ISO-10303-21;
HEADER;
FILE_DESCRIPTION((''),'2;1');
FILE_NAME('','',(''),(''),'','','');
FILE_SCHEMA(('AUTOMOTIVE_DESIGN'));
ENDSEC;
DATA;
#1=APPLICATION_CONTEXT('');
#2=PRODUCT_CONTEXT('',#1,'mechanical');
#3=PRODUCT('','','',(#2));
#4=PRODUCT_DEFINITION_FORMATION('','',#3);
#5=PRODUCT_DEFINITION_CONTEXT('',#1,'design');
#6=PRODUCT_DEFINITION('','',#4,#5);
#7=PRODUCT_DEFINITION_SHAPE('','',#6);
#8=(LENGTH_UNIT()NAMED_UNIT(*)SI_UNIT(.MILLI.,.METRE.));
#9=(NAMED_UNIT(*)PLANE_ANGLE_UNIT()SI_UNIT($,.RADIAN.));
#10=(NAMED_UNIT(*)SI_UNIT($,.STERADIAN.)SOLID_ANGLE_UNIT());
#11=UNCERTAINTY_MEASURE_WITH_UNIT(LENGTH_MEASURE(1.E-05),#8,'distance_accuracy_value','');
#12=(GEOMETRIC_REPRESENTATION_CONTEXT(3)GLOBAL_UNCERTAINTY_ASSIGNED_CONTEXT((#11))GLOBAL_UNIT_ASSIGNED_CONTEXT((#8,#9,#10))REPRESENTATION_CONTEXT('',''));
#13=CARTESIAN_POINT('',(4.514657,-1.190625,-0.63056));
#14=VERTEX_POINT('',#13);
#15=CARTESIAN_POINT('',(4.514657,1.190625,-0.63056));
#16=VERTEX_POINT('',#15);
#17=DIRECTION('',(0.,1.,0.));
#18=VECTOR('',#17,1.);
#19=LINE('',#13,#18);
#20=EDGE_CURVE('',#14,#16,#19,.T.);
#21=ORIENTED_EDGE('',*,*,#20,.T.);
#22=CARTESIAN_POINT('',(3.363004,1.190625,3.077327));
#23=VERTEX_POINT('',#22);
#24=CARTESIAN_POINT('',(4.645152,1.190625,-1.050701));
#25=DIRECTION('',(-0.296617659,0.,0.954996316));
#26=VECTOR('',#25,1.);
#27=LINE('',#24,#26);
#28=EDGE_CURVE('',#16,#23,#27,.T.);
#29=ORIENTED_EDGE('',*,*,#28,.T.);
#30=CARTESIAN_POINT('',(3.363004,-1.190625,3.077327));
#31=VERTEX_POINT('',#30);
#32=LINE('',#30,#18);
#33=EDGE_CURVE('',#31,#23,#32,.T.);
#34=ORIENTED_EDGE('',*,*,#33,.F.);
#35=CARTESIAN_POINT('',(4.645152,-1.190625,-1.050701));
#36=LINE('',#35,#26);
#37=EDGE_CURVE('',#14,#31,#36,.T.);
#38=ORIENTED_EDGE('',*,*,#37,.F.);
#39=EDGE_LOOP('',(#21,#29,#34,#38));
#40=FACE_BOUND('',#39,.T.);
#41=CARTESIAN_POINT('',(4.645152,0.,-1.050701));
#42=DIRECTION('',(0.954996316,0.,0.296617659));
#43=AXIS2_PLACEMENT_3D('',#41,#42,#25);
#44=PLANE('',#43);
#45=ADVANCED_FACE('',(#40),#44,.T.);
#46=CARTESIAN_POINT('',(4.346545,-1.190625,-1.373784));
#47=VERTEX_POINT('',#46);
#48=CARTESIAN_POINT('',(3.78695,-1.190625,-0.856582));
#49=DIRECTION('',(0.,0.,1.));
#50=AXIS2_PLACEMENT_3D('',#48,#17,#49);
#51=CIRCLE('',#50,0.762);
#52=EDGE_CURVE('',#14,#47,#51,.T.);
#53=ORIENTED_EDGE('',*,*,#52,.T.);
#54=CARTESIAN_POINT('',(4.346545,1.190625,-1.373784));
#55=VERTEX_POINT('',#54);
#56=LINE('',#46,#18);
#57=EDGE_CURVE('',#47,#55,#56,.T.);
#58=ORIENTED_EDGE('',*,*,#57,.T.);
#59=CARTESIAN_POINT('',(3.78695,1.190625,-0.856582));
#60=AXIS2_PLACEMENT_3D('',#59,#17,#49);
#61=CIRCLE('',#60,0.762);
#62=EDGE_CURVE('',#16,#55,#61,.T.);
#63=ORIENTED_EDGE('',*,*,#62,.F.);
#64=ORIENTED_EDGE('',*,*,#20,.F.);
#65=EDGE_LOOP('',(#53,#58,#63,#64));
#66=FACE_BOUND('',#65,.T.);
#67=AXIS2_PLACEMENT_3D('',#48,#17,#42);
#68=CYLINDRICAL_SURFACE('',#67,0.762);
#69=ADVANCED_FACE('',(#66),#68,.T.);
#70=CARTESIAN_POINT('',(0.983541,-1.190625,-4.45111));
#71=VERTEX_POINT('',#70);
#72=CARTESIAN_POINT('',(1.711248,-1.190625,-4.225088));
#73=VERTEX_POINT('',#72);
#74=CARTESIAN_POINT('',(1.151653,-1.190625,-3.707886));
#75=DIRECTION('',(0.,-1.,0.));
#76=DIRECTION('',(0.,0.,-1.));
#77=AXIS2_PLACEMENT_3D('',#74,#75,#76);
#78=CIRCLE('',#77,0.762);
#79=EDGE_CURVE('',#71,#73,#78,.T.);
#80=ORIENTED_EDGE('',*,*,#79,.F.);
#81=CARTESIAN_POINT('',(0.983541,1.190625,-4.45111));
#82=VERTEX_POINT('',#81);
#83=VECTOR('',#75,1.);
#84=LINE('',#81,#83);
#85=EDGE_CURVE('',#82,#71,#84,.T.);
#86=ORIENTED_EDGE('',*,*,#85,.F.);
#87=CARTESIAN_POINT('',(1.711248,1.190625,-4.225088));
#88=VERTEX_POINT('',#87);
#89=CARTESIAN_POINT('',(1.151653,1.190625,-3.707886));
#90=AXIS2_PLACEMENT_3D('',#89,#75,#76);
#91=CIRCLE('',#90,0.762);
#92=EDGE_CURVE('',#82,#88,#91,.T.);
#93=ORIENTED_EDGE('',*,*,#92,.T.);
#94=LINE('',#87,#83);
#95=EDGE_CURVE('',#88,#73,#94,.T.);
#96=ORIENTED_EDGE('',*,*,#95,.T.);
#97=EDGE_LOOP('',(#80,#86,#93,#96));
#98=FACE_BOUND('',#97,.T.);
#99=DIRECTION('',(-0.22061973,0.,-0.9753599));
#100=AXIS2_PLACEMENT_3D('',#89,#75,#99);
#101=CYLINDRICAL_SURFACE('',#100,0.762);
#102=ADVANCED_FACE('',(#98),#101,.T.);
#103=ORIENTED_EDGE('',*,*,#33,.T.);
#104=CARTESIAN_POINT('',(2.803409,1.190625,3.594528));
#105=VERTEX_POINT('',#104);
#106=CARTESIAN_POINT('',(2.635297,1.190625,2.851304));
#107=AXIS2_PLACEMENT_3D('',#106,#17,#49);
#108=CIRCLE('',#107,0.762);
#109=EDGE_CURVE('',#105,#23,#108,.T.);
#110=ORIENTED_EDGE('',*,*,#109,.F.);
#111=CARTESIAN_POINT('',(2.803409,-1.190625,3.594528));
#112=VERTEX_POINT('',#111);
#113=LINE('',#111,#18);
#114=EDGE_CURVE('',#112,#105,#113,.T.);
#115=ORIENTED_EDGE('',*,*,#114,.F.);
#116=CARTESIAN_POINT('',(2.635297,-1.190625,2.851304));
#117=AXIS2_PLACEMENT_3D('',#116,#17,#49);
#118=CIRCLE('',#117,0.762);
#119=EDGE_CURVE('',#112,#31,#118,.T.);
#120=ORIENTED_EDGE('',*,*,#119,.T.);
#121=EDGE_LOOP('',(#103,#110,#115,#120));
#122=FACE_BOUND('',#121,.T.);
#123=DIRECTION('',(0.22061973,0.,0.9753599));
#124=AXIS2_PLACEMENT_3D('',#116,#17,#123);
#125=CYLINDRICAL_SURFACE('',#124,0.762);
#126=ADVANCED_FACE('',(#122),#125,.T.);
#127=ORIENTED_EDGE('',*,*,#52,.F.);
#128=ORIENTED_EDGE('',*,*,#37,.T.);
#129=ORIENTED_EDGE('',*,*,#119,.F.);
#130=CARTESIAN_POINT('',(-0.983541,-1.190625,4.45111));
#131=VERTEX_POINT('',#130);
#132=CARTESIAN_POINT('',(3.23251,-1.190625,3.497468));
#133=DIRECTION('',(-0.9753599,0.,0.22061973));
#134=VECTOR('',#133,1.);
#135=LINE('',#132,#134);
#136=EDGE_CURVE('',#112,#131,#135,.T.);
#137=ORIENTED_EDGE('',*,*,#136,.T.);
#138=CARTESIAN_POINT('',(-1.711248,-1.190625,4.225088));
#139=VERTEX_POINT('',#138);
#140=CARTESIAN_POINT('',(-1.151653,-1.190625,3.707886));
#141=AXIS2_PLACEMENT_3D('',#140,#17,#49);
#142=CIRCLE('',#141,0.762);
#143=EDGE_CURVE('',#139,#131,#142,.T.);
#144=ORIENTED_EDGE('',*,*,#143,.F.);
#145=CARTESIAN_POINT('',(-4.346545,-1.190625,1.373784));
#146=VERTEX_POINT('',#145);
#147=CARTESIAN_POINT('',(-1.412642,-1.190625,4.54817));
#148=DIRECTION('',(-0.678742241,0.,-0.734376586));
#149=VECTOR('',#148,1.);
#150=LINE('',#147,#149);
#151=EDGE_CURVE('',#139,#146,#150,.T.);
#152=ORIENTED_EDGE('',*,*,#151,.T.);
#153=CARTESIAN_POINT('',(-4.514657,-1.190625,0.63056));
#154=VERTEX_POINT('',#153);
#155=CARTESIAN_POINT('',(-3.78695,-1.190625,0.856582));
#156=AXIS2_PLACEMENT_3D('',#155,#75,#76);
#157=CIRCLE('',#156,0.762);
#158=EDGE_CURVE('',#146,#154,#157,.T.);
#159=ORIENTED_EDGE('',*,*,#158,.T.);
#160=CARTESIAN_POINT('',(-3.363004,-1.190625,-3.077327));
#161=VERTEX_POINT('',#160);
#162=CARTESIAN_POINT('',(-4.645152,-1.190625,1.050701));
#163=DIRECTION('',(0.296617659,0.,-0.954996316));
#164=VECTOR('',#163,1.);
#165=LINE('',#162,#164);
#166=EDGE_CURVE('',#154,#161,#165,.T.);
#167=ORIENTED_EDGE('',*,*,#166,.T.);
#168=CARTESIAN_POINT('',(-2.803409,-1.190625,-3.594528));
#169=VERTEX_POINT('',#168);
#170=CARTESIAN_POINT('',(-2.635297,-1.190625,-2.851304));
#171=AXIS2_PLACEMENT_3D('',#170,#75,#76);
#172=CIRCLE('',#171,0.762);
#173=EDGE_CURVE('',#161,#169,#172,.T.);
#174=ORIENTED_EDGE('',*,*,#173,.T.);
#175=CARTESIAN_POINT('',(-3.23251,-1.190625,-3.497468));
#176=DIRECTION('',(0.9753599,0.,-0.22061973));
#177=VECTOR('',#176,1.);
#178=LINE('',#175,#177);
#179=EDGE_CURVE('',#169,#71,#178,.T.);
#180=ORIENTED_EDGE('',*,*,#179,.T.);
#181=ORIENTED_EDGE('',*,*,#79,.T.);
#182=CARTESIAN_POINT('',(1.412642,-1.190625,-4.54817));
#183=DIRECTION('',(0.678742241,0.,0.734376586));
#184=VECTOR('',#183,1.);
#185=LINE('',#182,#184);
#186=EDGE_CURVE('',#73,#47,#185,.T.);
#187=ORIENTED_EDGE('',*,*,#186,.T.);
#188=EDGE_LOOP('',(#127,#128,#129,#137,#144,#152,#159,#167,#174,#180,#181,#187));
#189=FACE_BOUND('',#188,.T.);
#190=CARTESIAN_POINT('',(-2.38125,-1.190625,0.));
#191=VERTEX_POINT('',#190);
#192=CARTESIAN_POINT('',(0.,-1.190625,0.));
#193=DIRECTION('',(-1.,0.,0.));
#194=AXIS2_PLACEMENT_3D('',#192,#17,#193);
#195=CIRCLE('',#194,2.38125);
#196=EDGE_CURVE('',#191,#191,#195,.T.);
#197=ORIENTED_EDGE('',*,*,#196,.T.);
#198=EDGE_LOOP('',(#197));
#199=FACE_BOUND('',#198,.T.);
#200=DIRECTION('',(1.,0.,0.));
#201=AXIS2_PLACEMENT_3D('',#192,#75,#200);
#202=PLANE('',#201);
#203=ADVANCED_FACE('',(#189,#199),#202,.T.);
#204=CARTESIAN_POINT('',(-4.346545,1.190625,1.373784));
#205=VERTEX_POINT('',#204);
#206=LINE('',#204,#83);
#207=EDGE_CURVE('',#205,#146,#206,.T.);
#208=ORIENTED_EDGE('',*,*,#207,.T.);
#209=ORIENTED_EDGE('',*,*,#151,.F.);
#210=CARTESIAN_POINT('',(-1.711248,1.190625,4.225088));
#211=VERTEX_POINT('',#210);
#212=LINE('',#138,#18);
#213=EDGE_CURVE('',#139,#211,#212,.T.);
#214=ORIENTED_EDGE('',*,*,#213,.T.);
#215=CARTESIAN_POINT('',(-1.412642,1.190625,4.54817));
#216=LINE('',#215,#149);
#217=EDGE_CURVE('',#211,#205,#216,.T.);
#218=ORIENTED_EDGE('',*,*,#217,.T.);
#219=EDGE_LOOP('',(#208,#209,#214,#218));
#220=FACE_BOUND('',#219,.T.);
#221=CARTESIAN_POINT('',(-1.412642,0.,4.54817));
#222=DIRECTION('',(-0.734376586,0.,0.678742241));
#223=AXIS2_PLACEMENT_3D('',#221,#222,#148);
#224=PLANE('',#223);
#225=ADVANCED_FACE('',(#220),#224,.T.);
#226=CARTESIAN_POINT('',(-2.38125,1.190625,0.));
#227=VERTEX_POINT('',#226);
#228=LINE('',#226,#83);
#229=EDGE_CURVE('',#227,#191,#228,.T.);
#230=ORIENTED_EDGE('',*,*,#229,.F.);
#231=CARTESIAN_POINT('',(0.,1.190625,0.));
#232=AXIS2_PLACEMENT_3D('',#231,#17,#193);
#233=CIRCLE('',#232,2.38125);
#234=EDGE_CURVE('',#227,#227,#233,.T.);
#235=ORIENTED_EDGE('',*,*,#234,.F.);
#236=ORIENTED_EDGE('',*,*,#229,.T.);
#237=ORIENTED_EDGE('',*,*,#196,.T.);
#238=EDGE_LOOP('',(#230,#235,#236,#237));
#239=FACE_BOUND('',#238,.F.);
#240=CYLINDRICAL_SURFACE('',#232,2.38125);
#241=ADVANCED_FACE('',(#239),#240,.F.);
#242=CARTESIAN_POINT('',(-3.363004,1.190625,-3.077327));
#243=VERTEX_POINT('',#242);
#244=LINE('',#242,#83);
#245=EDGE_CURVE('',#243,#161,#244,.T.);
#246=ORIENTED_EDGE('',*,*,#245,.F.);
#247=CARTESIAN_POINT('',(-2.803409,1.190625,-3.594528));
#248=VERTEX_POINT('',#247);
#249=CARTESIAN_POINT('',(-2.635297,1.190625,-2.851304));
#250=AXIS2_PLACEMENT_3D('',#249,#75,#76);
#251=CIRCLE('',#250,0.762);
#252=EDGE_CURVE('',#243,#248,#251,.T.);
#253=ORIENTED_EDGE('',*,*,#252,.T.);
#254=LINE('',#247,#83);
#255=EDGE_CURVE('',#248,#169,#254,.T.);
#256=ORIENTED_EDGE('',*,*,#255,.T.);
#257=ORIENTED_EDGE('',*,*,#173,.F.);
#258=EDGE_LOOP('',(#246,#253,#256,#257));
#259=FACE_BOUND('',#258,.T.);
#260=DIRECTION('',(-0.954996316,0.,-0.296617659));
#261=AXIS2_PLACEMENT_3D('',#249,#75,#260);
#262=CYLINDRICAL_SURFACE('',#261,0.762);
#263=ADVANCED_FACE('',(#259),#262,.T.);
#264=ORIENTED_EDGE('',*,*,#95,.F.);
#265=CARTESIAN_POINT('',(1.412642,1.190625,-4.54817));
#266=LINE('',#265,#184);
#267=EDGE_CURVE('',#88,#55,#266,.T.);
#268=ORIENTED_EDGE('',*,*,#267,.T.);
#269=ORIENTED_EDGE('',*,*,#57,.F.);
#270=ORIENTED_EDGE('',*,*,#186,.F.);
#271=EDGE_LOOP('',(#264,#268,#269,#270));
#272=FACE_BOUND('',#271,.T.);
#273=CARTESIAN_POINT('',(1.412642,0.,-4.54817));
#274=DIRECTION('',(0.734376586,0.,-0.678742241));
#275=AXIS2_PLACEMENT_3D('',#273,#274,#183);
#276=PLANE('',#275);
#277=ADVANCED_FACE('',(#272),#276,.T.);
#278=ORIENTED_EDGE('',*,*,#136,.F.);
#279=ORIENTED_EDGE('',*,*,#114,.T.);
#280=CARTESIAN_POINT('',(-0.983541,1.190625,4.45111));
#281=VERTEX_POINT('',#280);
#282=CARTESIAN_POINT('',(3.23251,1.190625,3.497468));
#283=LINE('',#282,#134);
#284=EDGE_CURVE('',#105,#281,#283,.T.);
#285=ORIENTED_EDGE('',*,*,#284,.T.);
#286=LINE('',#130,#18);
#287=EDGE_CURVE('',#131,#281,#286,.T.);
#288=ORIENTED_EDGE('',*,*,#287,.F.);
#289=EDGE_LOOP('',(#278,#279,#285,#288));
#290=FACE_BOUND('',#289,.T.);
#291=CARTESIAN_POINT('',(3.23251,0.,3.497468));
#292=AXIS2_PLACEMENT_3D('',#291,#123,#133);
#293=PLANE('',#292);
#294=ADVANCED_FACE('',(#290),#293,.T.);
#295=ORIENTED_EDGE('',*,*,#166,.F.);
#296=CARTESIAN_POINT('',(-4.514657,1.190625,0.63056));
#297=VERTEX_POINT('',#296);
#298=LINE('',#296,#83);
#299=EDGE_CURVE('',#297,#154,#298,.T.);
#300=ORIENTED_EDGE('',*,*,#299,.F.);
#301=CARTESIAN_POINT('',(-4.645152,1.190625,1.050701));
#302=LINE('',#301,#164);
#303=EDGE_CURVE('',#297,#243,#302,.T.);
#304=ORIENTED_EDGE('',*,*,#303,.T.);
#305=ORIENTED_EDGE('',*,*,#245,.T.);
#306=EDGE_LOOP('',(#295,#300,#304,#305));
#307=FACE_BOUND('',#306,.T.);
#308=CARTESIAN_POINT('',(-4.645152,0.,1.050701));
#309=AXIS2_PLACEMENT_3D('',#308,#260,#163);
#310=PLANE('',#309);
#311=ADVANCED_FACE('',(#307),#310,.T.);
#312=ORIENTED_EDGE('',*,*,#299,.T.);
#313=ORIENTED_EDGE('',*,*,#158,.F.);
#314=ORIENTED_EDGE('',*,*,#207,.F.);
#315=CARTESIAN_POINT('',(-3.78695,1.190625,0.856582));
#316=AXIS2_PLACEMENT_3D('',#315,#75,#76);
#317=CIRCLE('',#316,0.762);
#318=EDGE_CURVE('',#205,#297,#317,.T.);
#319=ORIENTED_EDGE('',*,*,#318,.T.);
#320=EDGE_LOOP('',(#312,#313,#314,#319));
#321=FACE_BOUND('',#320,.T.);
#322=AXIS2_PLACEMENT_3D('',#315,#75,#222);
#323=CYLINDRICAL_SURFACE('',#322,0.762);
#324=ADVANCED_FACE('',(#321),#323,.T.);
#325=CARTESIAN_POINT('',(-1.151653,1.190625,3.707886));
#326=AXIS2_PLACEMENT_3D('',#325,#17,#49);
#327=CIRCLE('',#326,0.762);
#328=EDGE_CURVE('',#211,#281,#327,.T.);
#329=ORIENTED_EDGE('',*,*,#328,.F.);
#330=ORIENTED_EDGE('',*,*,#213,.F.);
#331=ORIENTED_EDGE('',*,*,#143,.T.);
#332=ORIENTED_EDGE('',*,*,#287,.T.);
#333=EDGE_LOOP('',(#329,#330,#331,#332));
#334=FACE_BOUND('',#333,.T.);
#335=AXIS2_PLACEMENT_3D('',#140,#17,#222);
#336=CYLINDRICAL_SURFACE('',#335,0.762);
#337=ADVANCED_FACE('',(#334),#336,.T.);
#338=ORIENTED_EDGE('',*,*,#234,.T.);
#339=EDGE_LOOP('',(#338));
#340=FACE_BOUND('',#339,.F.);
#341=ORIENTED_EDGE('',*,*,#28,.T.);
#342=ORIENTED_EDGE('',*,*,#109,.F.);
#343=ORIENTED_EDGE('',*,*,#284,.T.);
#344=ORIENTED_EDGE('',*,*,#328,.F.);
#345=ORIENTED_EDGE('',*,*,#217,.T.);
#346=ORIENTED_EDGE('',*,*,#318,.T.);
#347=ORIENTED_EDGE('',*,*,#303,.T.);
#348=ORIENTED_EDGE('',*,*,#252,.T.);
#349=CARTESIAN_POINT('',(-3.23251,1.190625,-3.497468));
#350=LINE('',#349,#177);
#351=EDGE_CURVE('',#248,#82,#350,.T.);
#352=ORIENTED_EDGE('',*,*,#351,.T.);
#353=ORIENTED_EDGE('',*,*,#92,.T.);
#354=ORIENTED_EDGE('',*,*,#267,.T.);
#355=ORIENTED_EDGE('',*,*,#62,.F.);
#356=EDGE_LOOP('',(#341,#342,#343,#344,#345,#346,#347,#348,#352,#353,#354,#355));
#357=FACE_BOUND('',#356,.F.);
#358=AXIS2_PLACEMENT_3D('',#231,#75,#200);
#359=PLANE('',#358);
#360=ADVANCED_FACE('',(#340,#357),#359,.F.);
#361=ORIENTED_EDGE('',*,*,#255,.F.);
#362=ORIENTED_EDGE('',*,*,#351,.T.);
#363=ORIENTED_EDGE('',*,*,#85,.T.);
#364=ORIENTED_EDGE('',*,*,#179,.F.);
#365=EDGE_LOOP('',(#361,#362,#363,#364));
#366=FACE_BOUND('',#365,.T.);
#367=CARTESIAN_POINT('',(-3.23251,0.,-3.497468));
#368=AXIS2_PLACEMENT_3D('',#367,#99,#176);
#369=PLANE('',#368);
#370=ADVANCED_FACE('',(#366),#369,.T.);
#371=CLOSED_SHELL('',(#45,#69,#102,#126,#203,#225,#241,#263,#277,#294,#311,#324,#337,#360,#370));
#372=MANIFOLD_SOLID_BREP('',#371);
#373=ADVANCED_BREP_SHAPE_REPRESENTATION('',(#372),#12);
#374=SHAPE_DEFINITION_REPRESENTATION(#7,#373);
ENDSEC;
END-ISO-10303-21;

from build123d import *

# Parameters (mm, degrees)
F1_DEPTH = 1.190625
F2_R     = 2.38125
F3_DEPTH = 2.38125
F4_R     = 0.762


with BuildPart() as f1:
    # F0 (on Front) → F1 (new body, symmetric)
    with BuildSketch(Plane.XZ):
        Polygon((-1.4126416008, 4.548169957), (-4.6451515239, 1.0507014657), (-3.2325099231, -3.4974684913), (1.4126416008, -4.548169957), (4.6451515239, -1.0507014657), (3.2325099231, 3.4974684913), align=None)
    extrude(amount=F1_DEPTH, both=True)

    # F2 (on face) → F3 (cut)
    with BuildSketch(Plane(origin=(0, 1.190625, 0), x_dir=(-1, 0, 0), z_dir=(0, 1, 0))):
        Circle(F2_R)
    extrude(amount=-F3_DEPTH, mode=Mode.SUBTRACT)

    # F4
    f4_edges = [f1.edges().sort_by_distance(p)[0] for p in [
        (-1.412642, 0, 4.54817),
        (3.23251, 0, 3.497468),
        (4.645152, 0, -1.050701),
        (1.412642, 0, -4.54817),
        (-3.23251, 0, -3.497468),
        (-4.645152, 0, 1.050701),
    ]]
    fillet(f4_edges, radius=F4_R)


solid = f1.part
